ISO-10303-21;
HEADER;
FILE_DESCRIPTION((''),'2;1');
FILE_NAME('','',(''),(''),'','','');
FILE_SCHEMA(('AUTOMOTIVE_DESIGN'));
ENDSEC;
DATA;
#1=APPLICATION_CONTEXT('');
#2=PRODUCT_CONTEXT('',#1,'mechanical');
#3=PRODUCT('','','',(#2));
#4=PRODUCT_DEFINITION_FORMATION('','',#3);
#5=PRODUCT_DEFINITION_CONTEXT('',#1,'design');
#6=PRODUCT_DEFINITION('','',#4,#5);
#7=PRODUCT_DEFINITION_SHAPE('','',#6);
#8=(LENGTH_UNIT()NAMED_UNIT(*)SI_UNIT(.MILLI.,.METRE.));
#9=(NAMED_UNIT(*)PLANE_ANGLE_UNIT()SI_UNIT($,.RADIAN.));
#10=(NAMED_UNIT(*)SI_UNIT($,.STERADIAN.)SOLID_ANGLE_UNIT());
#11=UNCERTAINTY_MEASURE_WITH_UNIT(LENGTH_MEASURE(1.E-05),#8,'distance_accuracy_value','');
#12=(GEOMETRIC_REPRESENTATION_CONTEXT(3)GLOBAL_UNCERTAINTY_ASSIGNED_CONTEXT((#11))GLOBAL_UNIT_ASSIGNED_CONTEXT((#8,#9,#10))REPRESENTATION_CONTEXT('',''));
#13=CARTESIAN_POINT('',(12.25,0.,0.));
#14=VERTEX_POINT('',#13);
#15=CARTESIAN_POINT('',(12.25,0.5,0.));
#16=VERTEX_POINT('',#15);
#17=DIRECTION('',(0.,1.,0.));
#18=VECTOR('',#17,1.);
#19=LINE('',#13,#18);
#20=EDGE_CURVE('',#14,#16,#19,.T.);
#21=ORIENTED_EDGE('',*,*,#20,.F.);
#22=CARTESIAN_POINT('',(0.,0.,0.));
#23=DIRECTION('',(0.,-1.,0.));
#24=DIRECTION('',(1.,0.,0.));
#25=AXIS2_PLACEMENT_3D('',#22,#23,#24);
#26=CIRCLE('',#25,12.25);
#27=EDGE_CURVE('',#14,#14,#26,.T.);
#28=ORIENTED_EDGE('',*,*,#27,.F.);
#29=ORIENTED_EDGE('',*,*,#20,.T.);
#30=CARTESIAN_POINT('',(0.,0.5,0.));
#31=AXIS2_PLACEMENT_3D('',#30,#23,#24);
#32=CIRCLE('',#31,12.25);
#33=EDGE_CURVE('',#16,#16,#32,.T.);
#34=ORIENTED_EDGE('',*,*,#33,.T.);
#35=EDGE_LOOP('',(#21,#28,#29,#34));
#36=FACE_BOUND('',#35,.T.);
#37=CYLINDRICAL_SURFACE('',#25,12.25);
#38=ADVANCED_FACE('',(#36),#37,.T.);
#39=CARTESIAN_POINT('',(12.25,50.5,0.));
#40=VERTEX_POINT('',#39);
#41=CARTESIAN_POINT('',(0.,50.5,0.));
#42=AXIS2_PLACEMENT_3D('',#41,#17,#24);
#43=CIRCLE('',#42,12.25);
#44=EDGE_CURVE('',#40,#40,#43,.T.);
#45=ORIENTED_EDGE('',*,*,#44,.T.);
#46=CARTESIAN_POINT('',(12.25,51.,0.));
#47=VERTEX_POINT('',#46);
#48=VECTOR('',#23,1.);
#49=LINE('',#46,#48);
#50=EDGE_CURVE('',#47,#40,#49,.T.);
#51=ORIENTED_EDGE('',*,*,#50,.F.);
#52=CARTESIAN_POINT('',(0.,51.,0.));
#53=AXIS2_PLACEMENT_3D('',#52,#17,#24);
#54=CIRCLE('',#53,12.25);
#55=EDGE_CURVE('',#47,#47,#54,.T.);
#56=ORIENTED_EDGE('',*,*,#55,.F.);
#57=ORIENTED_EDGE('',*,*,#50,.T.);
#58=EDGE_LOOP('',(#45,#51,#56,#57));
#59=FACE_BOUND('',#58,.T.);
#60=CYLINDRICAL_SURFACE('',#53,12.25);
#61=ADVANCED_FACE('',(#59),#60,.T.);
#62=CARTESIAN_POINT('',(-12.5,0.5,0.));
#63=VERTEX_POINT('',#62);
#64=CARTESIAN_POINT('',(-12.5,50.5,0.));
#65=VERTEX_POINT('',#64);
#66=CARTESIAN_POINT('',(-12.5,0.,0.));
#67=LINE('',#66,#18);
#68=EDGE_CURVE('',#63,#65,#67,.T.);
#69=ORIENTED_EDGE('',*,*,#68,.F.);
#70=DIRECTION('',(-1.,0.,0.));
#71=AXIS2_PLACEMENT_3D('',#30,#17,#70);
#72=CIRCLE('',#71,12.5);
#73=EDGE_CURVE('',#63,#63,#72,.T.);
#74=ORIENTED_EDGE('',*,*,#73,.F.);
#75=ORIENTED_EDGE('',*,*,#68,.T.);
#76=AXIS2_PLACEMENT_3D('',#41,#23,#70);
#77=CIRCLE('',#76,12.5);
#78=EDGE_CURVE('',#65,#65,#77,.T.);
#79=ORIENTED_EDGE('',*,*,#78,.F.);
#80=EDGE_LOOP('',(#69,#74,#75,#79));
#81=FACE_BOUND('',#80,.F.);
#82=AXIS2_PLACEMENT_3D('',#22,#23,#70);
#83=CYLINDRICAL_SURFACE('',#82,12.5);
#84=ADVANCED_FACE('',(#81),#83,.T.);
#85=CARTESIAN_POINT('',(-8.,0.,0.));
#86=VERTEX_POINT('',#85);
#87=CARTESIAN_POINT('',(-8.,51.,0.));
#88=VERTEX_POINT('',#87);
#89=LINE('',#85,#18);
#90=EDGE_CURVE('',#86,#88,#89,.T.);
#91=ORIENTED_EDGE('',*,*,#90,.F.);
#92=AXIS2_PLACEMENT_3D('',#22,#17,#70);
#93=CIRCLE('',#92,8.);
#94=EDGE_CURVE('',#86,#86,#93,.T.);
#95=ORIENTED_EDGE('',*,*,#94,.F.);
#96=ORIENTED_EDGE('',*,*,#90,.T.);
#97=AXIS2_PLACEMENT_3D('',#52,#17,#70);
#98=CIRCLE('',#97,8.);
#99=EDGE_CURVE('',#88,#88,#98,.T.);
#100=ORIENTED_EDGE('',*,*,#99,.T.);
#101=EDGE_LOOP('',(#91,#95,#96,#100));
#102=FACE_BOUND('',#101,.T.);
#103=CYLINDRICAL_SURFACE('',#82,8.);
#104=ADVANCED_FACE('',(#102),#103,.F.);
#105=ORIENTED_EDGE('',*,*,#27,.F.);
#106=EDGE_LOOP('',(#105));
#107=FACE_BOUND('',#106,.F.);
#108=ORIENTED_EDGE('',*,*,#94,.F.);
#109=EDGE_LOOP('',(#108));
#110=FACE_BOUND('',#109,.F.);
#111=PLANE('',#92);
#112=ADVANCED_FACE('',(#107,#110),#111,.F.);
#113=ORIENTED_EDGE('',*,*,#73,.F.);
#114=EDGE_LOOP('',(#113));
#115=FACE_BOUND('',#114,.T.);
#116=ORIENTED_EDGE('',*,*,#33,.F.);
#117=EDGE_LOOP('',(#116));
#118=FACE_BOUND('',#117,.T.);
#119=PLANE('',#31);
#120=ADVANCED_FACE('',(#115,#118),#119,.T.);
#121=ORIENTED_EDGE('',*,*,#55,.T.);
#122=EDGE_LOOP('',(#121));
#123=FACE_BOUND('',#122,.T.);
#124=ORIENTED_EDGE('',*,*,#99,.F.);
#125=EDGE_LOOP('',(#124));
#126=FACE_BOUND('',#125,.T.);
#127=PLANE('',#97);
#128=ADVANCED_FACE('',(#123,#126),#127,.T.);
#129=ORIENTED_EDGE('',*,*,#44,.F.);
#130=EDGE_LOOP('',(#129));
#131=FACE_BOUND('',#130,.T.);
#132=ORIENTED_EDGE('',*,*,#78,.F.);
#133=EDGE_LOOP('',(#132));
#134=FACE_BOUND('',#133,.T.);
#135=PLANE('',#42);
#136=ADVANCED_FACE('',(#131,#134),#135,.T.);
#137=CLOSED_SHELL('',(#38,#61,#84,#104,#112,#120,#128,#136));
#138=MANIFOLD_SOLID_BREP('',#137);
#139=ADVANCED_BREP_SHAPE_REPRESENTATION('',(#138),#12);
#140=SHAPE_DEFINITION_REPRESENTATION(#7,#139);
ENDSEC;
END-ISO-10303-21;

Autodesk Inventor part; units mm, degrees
ref_plane "YZ Plane" through (0, 0, 0) normal (1, 0, 0) x (0, 1, 0)
ref_plane "XZ Plane" through (0, 0, 0) normal (0, 1, 0) x (-1, 0, 0)
ref_plane "XY Plane" through (0, 0, 0) normal (0, 0, 1) x (1, 0, 0)
sketch "Sketch1" plane through (0, 0, 0) normal (0, 1, 0) x (-1, 0, 0)
  circle A0 centre (0, 0) radius 12.5
  circle A1 centre (0, 0) radius 8
  dimension "d0" = 25
  dimension "d1" = 16
extrude "Extrusion1" add sketch "Sketch1" along normal blind 51
sketch "Sketch2" plane through (0, 51, 0) normal (0, 1, 0) x (1, 0, 0)
  circle A0 centre (0, 0) radius 12.25
  circle A1 centre (0, 0) radius 12.5 projected
  dimension "d4" = 24.5
extrude "Extrusion2" cut sketch "Sketch2" against normal blind 0.5
sketch "Sketch3" plane through (0, 0, 0) normal (0, -1, 0) x (1, 0, 0)
  circle A0 centre (0, 0) radius 12.25
  circle A1 centre (0, 0) radius 12.5 projected
  dimension "d7" = 24.5
extrude "Extrusion3" cut sketch "Sketch3" against normal blind 0.5
properties part number "P-025.40H Piezo Ring Actuators" material "Porcelain, Ivory"
